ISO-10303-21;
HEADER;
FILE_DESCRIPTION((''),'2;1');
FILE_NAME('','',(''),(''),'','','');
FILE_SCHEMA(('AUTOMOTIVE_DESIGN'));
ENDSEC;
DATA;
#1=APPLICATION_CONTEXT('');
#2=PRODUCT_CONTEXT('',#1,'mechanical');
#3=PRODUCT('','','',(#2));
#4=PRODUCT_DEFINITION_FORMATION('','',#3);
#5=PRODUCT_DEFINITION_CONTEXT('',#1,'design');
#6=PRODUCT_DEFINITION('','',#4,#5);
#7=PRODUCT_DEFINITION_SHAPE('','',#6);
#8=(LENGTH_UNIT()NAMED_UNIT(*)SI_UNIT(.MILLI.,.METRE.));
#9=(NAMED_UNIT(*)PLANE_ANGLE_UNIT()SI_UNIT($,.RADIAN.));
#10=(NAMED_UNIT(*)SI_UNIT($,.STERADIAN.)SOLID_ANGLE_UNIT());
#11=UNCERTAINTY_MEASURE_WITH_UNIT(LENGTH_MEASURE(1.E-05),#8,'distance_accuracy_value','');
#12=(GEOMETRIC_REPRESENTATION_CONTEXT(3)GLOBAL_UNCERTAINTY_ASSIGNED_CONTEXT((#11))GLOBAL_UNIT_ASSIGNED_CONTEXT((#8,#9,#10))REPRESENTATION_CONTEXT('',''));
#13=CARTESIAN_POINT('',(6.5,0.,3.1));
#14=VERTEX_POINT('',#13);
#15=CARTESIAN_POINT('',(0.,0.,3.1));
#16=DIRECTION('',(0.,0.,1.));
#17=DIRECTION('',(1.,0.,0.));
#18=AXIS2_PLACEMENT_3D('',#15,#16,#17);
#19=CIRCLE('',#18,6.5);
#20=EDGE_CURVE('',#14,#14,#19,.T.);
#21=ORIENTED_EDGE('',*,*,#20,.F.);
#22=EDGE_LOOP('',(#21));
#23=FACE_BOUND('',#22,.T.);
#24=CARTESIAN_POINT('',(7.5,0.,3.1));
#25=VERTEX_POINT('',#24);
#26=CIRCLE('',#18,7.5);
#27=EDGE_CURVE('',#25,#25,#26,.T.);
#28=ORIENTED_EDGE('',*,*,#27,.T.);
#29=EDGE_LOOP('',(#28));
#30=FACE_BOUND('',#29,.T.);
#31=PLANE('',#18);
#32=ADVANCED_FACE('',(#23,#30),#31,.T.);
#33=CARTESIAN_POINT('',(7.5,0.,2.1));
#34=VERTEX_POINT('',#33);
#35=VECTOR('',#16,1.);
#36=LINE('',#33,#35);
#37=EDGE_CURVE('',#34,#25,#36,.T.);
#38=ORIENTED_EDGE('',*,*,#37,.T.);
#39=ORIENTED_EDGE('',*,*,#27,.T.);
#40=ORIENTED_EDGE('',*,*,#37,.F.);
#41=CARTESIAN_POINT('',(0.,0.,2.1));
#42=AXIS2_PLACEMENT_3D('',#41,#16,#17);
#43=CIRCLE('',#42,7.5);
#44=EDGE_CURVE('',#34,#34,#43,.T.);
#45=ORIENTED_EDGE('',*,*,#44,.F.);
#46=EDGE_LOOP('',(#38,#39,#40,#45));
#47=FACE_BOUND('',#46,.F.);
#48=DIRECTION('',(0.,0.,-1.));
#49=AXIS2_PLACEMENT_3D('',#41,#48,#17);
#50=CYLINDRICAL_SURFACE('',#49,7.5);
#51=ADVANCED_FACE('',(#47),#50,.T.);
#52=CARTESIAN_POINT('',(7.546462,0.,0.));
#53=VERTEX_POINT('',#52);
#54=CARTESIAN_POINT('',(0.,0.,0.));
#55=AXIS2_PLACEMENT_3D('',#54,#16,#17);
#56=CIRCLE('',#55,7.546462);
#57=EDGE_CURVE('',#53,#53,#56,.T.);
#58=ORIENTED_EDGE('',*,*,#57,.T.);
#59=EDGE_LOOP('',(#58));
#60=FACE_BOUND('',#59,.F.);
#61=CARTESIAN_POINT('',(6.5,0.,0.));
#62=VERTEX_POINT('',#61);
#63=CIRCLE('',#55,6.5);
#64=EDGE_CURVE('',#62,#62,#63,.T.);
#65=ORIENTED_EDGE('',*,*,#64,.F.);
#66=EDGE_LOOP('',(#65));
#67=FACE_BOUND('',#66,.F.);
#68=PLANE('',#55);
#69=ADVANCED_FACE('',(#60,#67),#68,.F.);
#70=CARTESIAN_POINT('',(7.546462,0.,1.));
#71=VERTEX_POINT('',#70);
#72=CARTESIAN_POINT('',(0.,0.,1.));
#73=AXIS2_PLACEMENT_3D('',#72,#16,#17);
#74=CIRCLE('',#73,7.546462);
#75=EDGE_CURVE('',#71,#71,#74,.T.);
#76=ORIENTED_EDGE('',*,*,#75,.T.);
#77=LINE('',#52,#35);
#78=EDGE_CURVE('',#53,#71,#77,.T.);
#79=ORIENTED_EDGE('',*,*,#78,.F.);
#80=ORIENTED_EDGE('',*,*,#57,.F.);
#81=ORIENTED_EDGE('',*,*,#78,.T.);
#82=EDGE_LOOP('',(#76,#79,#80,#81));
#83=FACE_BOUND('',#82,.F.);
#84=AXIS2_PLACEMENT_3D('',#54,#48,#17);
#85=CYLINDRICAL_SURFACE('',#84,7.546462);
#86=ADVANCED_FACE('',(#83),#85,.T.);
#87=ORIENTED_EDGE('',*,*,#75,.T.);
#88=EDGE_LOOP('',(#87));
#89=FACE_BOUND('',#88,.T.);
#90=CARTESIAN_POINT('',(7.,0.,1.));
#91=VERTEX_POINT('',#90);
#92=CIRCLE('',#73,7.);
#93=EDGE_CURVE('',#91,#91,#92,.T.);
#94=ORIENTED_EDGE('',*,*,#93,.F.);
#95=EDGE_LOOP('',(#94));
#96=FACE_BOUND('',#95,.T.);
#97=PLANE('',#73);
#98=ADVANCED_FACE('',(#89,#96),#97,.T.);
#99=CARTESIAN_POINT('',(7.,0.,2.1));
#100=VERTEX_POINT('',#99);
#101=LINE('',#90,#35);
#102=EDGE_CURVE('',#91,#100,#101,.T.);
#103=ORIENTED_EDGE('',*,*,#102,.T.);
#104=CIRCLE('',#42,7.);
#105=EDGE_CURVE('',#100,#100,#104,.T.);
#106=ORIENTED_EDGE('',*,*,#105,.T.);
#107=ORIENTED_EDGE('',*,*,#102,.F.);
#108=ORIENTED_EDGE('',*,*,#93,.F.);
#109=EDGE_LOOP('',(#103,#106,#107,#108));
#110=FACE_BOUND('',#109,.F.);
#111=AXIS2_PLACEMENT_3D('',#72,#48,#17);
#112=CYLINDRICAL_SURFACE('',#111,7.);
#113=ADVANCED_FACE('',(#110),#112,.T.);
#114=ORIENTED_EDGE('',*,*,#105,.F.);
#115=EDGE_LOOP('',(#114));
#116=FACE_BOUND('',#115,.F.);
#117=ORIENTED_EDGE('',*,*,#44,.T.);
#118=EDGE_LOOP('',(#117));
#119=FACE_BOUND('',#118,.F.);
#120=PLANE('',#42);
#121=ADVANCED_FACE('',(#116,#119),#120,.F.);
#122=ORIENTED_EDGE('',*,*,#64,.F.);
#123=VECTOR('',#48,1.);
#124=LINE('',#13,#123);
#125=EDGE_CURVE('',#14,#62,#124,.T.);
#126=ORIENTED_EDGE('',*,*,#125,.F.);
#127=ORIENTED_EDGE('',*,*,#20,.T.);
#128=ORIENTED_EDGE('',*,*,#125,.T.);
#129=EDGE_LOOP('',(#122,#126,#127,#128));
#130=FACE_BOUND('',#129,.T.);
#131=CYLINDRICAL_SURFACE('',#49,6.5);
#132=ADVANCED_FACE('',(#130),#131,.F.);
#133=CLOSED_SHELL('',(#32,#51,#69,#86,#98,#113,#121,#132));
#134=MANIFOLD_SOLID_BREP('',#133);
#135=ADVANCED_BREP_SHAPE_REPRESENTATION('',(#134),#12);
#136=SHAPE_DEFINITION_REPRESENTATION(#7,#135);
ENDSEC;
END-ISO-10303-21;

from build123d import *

# Parameters (mm, degrees)
SKETCH_R      = 7.546462
SKETCH_R_2    = 6.5
PAD_DEPTH     = 1
SKETCH001_R   = 7
SKETCH001_R_2 = 6.5
PAD001_DEPTH  = 1.1
SKETCH002_R   = 7.5
SKETCH002_R_2 = 6.5
PAD002_DEPTH  = 1


with BuildPart() as part:
    # Sketch → Pad (new body)
    with BuildSketch(Plane.XY):
        Circle(SKETCH_R)
        Circle(SKETCH_R_2, mode=Mode.SUBTRACT)
    extrude(amount=PAD_DEPTH)

    # Sketch001 (on Face4 of Pad) → Pad001 (join)
    with BuildSketch(Plane.XY.offset(1)):
        Circle(SKETCH001_R)
        Circle(SKETCH001_R_2, mode=Mode.SUBTRACT)
    extrude(amount=PAD001_DEPTH)

    # Sketch002 (on Face7 of Pad001) → Pad002 (join)
    with BuildSketch(Plane.XY.offset(2.1)):
        Circle(SKETCH002_R)
        Circle(SKETCH002_R_2, mode=Mode.SUBTRACT)
    extrude(amount=PAD002_DEPTH)


solid = part.part
